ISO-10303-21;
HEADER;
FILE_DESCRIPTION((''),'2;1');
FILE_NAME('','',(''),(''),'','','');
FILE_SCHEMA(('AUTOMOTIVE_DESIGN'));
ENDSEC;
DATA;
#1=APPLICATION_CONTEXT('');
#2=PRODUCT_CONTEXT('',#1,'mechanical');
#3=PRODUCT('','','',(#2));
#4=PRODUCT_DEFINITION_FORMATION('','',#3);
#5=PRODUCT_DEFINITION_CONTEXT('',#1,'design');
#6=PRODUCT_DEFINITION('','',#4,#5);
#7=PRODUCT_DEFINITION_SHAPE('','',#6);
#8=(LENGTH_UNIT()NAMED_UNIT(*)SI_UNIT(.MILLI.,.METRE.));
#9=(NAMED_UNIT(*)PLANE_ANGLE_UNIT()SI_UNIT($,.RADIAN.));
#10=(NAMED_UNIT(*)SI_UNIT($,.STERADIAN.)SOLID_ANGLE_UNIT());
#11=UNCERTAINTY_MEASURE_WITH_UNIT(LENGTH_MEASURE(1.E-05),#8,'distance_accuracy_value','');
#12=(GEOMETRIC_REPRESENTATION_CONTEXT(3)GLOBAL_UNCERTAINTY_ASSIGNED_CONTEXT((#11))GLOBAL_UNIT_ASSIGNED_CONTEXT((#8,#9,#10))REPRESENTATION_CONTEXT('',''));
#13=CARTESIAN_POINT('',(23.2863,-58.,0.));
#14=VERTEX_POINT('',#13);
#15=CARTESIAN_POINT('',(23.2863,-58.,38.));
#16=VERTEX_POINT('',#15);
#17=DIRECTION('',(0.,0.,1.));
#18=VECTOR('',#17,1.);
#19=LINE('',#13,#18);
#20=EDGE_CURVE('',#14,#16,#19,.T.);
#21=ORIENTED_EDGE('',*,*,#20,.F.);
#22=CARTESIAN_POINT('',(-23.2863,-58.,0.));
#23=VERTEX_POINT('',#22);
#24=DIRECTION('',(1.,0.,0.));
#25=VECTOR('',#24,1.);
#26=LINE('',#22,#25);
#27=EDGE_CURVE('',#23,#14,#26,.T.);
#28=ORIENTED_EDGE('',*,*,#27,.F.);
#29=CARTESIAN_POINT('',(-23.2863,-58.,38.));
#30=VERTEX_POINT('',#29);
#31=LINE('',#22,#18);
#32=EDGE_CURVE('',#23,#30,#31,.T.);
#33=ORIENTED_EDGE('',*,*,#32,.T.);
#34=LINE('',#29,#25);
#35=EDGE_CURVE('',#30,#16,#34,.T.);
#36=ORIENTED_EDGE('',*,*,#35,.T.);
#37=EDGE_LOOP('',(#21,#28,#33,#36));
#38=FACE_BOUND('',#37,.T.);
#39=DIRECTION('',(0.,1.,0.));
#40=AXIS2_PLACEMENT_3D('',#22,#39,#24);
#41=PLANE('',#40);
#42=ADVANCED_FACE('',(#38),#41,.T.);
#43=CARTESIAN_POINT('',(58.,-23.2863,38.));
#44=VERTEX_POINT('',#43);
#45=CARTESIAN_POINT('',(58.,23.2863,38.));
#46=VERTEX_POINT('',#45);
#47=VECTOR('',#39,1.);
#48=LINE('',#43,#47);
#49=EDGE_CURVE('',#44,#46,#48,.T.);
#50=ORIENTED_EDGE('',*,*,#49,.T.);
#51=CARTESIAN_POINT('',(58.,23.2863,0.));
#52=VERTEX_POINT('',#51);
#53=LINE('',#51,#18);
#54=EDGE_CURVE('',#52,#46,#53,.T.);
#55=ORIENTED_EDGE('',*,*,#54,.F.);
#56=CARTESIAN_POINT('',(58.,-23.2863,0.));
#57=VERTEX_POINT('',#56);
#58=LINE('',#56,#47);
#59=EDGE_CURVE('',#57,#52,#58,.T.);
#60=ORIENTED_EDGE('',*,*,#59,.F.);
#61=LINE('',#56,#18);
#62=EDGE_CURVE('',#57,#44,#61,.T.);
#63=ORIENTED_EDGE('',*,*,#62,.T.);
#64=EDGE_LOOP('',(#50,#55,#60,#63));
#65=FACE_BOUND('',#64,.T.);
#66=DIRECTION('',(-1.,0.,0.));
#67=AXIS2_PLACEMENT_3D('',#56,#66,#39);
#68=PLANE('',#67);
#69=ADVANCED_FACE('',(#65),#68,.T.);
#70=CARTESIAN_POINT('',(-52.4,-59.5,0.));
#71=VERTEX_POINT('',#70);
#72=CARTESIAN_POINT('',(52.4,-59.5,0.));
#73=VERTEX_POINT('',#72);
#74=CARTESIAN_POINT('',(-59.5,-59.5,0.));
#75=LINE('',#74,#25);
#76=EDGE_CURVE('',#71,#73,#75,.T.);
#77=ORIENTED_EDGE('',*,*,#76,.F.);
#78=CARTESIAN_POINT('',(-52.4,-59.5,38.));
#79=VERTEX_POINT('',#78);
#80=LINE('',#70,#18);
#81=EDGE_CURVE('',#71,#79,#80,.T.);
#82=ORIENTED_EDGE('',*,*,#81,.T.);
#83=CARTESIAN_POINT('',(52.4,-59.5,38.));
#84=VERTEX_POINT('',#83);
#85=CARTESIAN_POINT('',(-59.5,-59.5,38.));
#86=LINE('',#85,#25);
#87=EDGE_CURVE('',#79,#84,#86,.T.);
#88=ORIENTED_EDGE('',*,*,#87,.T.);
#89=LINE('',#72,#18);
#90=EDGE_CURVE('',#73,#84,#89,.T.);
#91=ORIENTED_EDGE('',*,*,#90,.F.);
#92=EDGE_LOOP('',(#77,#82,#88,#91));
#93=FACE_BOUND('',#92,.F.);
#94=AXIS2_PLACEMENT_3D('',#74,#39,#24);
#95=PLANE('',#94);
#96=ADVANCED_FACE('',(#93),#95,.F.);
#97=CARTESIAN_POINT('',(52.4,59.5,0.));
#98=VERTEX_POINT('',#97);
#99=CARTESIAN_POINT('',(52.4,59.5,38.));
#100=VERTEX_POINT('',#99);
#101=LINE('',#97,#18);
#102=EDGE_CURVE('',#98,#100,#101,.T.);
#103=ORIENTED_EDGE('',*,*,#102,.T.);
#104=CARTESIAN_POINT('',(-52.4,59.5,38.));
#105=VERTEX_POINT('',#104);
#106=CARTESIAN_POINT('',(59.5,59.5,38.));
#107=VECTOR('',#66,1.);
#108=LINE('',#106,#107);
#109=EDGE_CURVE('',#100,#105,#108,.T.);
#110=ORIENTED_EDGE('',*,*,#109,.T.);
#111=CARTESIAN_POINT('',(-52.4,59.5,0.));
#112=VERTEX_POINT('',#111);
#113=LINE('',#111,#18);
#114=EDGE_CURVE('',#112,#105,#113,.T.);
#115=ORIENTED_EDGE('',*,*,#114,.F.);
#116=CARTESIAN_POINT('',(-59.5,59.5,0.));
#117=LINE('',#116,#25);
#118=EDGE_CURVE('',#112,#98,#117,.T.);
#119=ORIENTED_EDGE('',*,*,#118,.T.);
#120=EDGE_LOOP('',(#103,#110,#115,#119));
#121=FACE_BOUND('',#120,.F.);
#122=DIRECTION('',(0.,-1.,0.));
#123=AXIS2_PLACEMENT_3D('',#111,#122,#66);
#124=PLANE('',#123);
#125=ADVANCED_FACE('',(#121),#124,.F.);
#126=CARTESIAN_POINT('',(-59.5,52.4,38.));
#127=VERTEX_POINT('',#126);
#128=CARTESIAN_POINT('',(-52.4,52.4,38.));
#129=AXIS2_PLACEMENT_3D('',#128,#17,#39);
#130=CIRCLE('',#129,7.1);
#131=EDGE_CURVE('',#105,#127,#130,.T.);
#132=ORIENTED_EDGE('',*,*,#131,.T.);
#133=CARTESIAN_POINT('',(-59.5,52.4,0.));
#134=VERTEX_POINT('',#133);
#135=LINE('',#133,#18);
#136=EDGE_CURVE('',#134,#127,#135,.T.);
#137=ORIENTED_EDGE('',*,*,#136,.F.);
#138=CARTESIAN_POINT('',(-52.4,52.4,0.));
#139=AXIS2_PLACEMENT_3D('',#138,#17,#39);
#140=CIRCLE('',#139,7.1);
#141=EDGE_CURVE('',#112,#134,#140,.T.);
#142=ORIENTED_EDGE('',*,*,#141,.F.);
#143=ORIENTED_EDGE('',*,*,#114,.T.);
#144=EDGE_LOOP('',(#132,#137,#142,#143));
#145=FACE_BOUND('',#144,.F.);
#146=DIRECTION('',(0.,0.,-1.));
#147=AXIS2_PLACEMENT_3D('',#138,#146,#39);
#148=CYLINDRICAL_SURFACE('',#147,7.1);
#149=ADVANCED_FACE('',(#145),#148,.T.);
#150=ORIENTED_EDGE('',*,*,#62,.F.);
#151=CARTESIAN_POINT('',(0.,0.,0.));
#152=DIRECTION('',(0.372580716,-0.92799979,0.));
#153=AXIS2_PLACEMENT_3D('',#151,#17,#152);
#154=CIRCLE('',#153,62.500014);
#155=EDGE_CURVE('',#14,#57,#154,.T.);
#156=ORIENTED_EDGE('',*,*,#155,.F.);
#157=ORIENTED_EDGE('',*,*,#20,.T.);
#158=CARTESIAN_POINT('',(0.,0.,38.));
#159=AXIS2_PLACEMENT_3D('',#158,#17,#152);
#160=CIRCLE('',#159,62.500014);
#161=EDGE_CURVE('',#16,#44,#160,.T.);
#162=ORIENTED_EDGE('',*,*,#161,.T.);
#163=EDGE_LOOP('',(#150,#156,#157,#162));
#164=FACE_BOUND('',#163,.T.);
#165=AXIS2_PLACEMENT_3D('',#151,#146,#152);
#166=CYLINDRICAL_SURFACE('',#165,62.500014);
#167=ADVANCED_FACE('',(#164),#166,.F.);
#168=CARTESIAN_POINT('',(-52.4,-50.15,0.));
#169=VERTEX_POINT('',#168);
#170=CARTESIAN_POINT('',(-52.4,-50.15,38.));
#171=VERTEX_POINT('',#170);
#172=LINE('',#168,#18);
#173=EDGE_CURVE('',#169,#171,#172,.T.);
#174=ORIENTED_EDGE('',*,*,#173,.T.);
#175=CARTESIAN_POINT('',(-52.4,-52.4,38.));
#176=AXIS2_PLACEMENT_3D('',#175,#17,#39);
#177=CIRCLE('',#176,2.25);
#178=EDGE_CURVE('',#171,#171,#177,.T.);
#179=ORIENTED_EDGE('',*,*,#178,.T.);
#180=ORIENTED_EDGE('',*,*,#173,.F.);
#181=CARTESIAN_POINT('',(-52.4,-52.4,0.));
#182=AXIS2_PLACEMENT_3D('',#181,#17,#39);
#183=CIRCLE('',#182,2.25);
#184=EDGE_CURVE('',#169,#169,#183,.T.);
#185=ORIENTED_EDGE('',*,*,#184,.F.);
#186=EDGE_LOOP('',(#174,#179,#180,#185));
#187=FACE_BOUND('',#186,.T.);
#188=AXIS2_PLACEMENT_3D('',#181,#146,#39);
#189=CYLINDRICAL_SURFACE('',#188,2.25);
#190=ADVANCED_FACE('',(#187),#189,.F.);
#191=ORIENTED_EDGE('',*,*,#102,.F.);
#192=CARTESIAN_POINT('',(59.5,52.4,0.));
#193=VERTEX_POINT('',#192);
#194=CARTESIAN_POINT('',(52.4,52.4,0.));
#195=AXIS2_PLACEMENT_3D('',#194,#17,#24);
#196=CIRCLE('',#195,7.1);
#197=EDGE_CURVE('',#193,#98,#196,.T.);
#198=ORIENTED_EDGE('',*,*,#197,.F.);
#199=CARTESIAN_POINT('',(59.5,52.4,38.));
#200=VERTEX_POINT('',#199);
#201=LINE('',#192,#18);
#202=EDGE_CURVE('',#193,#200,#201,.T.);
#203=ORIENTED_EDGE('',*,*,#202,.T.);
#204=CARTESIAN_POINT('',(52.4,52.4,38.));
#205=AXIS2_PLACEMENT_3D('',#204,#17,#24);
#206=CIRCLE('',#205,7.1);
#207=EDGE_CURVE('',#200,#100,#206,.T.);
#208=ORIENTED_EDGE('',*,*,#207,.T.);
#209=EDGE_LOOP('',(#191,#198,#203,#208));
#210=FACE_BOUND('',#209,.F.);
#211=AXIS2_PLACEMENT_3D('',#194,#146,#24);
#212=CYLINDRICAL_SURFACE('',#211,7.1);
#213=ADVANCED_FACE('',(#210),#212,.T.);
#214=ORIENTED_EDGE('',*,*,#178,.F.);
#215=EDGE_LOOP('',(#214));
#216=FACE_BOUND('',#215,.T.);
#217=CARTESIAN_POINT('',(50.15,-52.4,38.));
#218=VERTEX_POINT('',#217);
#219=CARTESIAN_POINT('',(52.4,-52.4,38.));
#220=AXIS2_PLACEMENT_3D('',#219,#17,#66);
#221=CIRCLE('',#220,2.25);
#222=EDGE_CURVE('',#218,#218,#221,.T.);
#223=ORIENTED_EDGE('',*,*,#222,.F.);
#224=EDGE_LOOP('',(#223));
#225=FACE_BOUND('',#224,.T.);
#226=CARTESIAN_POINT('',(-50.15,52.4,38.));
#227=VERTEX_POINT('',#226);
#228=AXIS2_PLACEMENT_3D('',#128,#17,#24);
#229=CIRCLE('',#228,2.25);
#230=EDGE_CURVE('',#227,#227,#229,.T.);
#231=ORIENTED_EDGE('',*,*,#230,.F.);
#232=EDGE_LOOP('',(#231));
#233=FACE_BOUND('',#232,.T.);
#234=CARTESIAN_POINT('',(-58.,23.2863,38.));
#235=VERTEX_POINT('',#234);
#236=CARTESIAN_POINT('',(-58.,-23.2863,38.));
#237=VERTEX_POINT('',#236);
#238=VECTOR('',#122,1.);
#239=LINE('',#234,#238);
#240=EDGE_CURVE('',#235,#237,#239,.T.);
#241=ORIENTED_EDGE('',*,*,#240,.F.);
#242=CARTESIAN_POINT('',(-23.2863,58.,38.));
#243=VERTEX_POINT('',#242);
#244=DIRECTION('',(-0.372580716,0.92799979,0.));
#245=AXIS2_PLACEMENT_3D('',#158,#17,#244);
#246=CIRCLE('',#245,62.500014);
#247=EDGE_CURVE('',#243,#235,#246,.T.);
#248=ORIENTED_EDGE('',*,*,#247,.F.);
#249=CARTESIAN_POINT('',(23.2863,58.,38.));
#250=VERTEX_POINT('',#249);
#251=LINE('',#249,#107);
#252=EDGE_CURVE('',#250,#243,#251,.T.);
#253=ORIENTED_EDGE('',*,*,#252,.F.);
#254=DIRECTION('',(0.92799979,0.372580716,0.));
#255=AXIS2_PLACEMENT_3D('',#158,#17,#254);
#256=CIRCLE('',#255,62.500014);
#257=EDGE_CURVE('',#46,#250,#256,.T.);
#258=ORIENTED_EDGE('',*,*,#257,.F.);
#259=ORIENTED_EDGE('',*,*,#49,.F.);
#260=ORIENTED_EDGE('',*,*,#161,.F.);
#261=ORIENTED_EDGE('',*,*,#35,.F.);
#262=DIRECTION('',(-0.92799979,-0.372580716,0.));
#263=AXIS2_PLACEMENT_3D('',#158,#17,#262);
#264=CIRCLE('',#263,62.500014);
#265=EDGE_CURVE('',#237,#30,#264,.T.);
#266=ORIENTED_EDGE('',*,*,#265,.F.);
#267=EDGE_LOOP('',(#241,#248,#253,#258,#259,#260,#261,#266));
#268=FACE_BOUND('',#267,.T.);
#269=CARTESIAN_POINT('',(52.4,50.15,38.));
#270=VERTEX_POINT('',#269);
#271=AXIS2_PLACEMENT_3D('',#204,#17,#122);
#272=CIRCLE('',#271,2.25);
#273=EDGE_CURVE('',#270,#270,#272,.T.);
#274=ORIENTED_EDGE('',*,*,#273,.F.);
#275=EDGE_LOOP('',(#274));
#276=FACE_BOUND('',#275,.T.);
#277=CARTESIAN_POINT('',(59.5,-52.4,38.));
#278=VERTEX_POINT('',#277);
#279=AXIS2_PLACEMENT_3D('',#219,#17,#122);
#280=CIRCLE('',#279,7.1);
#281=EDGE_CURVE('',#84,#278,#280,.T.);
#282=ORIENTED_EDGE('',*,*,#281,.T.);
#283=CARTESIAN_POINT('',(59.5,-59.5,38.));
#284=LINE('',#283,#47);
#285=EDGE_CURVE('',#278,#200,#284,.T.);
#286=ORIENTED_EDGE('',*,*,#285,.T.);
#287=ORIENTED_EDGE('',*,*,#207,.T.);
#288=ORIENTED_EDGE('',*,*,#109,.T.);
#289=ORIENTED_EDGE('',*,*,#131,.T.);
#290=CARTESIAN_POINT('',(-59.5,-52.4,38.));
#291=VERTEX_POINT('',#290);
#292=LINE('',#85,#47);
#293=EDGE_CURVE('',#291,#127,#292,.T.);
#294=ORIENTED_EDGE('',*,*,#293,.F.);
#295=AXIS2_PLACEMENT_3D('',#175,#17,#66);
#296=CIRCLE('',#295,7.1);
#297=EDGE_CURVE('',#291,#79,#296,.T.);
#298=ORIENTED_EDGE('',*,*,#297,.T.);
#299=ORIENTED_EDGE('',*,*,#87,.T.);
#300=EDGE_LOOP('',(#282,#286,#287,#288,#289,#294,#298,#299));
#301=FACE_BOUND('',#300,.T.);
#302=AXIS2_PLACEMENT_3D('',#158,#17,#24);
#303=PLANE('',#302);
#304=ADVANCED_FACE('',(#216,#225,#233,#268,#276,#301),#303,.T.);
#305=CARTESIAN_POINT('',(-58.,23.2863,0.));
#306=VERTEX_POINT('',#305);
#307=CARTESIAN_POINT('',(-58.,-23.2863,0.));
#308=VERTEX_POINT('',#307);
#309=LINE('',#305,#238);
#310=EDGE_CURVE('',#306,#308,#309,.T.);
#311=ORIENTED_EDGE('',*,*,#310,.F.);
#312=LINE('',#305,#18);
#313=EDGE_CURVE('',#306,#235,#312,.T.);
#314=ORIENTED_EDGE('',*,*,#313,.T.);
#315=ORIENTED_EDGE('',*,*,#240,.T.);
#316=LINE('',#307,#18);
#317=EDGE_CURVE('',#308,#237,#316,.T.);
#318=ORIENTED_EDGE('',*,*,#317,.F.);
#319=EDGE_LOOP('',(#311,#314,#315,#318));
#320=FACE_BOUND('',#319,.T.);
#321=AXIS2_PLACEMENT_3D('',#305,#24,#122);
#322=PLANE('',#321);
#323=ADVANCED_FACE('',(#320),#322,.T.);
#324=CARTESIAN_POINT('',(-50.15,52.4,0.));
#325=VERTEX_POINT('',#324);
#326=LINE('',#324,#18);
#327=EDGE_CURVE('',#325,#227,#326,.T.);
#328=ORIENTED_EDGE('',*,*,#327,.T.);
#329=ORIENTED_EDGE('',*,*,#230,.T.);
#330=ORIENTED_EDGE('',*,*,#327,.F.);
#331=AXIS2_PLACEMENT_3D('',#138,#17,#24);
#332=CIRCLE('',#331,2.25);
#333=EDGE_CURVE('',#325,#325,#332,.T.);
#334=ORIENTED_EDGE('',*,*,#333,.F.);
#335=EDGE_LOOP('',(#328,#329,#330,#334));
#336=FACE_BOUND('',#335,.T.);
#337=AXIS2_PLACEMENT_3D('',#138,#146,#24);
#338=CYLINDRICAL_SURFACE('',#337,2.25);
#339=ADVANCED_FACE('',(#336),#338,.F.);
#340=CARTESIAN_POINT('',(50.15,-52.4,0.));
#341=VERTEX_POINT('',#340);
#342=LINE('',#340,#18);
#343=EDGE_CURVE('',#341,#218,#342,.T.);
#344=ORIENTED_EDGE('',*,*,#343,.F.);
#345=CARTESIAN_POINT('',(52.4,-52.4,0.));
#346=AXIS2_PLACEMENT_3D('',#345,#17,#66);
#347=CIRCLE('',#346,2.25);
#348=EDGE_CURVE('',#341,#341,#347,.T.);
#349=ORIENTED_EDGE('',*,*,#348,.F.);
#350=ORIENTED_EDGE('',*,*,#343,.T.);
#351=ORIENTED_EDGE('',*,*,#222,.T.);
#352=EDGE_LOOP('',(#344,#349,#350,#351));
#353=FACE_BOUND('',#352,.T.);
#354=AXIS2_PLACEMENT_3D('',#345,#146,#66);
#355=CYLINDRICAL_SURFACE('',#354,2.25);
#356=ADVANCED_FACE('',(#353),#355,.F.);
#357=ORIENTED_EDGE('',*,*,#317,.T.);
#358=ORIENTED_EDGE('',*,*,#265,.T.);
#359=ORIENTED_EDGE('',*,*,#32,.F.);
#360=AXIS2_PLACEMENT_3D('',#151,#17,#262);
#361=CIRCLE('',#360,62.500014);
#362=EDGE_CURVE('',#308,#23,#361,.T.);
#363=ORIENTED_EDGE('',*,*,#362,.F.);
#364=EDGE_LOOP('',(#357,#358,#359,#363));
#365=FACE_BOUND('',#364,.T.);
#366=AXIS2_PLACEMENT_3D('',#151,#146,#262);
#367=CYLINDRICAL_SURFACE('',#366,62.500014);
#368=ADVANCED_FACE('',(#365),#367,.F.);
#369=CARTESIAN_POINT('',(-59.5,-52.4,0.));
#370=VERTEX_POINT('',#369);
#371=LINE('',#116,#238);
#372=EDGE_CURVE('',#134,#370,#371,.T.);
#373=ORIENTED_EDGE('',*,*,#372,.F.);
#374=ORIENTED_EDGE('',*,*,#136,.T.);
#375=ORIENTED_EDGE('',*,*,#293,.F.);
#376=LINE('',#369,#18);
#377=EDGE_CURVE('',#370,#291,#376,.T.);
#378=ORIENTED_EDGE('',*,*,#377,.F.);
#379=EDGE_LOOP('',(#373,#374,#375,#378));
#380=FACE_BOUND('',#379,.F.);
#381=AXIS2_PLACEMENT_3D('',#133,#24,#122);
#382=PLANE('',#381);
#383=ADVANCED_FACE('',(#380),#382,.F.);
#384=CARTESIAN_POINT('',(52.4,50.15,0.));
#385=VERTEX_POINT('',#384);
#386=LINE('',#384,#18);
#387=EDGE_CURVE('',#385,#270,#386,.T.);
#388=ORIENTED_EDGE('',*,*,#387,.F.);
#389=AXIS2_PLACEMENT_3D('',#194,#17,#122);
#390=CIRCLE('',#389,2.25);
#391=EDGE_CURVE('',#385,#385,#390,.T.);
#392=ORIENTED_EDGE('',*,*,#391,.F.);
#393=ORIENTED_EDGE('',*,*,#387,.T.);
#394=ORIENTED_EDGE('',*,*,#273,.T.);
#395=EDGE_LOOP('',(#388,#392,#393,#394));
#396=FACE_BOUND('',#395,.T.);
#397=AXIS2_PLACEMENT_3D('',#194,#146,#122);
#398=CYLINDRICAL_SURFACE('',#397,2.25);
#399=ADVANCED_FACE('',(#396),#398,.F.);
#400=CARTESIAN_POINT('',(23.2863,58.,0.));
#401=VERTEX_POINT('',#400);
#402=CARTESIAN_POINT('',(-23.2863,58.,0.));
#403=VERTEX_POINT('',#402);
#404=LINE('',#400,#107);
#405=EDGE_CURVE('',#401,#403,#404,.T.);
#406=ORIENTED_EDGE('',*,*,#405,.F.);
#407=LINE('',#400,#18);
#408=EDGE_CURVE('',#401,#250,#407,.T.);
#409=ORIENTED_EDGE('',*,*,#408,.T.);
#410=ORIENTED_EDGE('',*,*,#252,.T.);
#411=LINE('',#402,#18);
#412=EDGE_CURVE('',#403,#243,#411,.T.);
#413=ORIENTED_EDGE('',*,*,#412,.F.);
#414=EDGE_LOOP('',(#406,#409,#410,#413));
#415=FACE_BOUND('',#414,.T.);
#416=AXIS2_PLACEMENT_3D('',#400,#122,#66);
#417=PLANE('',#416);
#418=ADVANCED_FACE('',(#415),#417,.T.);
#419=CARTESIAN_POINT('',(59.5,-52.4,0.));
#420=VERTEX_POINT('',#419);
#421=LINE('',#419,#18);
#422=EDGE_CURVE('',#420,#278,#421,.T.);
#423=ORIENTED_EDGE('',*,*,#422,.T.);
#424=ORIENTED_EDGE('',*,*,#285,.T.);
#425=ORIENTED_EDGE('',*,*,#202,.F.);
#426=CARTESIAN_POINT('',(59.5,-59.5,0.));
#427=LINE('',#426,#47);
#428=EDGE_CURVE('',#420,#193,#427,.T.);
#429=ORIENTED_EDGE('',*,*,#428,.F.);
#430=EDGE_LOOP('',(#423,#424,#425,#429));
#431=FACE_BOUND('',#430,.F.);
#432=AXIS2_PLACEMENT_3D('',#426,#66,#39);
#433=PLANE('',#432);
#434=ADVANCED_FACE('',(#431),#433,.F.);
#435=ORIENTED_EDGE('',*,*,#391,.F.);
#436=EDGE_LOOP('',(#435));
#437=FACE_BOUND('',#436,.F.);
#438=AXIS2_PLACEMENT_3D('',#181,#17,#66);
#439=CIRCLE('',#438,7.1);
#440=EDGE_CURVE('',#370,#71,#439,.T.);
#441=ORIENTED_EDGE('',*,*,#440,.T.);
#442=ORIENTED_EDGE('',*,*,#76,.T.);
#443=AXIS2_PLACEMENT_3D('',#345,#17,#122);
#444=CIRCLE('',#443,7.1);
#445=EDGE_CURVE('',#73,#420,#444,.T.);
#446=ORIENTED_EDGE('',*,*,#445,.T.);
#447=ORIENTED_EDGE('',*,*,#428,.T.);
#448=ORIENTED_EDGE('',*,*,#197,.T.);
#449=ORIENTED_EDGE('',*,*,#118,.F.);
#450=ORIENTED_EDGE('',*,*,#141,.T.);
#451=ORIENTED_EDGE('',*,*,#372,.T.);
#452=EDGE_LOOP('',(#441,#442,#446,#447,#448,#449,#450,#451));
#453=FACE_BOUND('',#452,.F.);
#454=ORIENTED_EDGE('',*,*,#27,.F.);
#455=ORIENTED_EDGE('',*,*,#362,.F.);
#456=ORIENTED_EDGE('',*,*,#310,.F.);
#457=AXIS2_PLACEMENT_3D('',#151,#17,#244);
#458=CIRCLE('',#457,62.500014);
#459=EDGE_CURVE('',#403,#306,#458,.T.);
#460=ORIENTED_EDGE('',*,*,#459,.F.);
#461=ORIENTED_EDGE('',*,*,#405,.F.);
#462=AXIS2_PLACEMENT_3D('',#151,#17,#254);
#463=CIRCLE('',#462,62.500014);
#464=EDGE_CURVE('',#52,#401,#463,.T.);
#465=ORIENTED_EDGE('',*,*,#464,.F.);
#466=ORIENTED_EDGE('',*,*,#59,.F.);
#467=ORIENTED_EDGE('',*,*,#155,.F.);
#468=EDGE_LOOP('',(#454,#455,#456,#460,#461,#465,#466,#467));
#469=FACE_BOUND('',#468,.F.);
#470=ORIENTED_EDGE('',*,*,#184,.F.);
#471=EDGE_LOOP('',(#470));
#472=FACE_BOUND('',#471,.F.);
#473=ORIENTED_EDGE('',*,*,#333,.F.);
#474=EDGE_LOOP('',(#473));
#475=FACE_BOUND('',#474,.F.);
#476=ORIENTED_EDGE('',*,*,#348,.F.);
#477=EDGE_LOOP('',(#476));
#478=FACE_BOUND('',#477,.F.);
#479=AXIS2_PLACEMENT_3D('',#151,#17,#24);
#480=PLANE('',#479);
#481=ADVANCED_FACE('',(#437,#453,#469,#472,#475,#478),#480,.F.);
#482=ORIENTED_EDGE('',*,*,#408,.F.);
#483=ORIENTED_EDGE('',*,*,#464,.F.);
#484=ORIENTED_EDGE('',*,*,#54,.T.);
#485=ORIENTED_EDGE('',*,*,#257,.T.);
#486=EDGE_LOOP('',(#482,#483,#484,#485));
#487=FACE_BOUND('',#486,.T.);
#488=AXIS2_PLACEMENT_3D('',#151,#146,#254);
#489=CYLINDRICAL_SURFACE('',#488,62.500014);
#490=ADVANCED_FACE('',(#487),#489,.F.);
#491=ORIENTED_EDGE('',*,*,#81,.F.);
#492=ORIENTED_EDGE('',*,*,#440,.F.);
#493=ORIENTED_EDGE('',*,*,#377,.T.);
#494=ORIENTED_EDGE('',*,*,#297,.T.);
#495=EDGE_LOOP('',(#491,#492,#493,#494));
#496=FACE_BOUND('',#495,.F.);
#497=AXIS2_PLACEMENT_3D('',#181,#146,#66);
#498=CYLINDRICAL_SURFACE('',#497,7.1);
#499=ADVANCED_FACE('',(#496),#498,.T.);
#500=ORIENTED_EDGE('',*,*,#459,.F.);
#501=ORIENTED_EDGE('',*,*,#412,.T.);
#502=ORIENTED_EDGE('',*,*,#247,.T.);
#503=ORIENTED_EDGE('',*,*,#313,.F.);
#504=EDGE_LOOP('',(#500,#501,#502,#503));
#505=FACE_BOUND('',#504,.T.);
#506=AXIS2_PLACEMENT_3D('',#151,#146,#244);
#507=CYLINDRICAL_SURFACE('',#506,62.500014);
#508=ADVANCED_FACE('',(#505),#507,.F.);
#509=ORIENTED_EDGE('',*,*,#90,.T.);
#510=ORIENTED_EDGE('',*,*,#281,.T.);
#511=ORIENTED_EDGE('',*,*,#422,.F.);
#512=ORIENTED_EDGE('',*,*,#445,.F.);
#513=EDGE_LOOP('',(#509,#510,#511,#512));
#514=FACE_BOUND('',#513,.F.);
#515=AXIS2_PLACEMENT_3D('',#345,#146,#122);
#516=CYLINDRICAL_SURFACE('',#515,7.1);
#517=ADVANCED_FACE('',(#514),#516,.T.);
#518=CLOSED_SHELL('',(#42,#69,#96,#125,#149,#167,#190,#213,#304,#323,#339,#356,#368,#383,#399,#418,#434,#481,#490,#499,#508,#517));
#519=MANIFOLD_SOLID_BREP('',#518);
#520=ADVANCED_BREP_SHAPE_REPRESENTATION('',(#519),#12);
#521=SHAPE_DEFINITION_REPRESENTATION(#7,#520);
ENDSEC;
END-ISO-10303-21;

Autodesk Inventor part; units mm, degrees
ref_plane "YZ Plane" through (0, 0, 0) normal (1, 0, 0) x (0, 1, 0)
ref_plane "XZ Plane" through (0, 0, 0) normal (0, 1, 0) x (-1, 0, 0)
ref_plane "XY Plane" through (0, 0, 0) normal (0, 0, 1) x (1, 0, 0)
sketch "Sketch1" plane through (0, 0, 0) normal (0, 0, 1) x (1, 0, 0)
  line L0 (-59.5, -59.5) -> (59.5, -59.5)
  line L1 (59.5, -59.5) -> (59.5, 59.5)
  line L2 (59.5, 59.5) -> (-59.5, 59.5)
  line L3 (-59.5, 59.5) -> (-59.5, -59.5)
  line L4 (-59.5, -59.5) -> (59.5, 59.5) construction
  line L5 (59.5, -59.5) -> (-59.5, 59.5) construction
  circle A0 centre (-52.4, 52.4) radius 2.25
  circle A1 centre (52.4, 52.4) radius 2.25
  line L6 (-23.2863, -58) -> (23.2863, -58)
  line L7 (58, -23.2863) -> (58, 23.2863)
  line L8 (23.2863, 58) -> (-23.2863, 58)
  line L9 (-58, 23.2863) -> (-58, -23.2863)
  line L10 (-58, -58) -> (58, 58) construction
  line L11 (58, -58) -> (-58, 58) construction
  arc A2 (-58, -23.2863) -> (-23.2863, -58) centre (0, 0) ccw
  arc A3 (23.2863, -58) -> (58, -23.2863) centre (0, 0) ccw
  arc A4 (58, 23.2863) -> (23.2863, 58) centre (0, 0) ccw
  arc A5 (-23.2863, 58) -> (-58, 23.2863) centre (0, 0) ccw
  arc A6 (-52.4, 59.5) -> (-59.5, 52.4) centre (-52.4, 52.4) ccw
  dimension "d0" = 119
  dimension "d2" = 4.5
  dimension "d3" = 104.8
  dimension "d5" = 116
  dimension "d6" = 62.5
  dimension "d7" = 46.5725
  dimension "d15" = 1.5
extrude "Extrusion1" add sketch "Sketch1" along normal blind 38 contours L3 A6 L2 L1 L0 | L3 L2 A6 | A0 | A1
extrude "Extrusion2" cut sketch "Sketch1" along normal blind 38 contours L3 L2 A6 | A0
pattern_circular "Circular Pattern1" count 4 over 360 about axis through (0, 0, 0) along (0, 0, 1) of "Extrusion2"
equation "\"d0\" = length"
equation "\"d2\" = holeSize"
equation "\"d3\" = dHoles"
equation "\"d5\" = fanCutOff"
equation "\"d6\" = 0.5 * fanDia"
equation "\"d8\" = heigth"
equation "\"d10\" = heigth"
equation "\"length\" = 119"
equation "\"width\" = length"
equation "\"heigth\" = 38"
equation "\"dHoles\" = 104.8"
equation "\"holeSize\" = 4.5"
equation "\"fanDia\" = 125"
equation "\"fanCutOff\" = 116"
equation "\"d4\" = fanDia"
properties part number "120mm Fan"
